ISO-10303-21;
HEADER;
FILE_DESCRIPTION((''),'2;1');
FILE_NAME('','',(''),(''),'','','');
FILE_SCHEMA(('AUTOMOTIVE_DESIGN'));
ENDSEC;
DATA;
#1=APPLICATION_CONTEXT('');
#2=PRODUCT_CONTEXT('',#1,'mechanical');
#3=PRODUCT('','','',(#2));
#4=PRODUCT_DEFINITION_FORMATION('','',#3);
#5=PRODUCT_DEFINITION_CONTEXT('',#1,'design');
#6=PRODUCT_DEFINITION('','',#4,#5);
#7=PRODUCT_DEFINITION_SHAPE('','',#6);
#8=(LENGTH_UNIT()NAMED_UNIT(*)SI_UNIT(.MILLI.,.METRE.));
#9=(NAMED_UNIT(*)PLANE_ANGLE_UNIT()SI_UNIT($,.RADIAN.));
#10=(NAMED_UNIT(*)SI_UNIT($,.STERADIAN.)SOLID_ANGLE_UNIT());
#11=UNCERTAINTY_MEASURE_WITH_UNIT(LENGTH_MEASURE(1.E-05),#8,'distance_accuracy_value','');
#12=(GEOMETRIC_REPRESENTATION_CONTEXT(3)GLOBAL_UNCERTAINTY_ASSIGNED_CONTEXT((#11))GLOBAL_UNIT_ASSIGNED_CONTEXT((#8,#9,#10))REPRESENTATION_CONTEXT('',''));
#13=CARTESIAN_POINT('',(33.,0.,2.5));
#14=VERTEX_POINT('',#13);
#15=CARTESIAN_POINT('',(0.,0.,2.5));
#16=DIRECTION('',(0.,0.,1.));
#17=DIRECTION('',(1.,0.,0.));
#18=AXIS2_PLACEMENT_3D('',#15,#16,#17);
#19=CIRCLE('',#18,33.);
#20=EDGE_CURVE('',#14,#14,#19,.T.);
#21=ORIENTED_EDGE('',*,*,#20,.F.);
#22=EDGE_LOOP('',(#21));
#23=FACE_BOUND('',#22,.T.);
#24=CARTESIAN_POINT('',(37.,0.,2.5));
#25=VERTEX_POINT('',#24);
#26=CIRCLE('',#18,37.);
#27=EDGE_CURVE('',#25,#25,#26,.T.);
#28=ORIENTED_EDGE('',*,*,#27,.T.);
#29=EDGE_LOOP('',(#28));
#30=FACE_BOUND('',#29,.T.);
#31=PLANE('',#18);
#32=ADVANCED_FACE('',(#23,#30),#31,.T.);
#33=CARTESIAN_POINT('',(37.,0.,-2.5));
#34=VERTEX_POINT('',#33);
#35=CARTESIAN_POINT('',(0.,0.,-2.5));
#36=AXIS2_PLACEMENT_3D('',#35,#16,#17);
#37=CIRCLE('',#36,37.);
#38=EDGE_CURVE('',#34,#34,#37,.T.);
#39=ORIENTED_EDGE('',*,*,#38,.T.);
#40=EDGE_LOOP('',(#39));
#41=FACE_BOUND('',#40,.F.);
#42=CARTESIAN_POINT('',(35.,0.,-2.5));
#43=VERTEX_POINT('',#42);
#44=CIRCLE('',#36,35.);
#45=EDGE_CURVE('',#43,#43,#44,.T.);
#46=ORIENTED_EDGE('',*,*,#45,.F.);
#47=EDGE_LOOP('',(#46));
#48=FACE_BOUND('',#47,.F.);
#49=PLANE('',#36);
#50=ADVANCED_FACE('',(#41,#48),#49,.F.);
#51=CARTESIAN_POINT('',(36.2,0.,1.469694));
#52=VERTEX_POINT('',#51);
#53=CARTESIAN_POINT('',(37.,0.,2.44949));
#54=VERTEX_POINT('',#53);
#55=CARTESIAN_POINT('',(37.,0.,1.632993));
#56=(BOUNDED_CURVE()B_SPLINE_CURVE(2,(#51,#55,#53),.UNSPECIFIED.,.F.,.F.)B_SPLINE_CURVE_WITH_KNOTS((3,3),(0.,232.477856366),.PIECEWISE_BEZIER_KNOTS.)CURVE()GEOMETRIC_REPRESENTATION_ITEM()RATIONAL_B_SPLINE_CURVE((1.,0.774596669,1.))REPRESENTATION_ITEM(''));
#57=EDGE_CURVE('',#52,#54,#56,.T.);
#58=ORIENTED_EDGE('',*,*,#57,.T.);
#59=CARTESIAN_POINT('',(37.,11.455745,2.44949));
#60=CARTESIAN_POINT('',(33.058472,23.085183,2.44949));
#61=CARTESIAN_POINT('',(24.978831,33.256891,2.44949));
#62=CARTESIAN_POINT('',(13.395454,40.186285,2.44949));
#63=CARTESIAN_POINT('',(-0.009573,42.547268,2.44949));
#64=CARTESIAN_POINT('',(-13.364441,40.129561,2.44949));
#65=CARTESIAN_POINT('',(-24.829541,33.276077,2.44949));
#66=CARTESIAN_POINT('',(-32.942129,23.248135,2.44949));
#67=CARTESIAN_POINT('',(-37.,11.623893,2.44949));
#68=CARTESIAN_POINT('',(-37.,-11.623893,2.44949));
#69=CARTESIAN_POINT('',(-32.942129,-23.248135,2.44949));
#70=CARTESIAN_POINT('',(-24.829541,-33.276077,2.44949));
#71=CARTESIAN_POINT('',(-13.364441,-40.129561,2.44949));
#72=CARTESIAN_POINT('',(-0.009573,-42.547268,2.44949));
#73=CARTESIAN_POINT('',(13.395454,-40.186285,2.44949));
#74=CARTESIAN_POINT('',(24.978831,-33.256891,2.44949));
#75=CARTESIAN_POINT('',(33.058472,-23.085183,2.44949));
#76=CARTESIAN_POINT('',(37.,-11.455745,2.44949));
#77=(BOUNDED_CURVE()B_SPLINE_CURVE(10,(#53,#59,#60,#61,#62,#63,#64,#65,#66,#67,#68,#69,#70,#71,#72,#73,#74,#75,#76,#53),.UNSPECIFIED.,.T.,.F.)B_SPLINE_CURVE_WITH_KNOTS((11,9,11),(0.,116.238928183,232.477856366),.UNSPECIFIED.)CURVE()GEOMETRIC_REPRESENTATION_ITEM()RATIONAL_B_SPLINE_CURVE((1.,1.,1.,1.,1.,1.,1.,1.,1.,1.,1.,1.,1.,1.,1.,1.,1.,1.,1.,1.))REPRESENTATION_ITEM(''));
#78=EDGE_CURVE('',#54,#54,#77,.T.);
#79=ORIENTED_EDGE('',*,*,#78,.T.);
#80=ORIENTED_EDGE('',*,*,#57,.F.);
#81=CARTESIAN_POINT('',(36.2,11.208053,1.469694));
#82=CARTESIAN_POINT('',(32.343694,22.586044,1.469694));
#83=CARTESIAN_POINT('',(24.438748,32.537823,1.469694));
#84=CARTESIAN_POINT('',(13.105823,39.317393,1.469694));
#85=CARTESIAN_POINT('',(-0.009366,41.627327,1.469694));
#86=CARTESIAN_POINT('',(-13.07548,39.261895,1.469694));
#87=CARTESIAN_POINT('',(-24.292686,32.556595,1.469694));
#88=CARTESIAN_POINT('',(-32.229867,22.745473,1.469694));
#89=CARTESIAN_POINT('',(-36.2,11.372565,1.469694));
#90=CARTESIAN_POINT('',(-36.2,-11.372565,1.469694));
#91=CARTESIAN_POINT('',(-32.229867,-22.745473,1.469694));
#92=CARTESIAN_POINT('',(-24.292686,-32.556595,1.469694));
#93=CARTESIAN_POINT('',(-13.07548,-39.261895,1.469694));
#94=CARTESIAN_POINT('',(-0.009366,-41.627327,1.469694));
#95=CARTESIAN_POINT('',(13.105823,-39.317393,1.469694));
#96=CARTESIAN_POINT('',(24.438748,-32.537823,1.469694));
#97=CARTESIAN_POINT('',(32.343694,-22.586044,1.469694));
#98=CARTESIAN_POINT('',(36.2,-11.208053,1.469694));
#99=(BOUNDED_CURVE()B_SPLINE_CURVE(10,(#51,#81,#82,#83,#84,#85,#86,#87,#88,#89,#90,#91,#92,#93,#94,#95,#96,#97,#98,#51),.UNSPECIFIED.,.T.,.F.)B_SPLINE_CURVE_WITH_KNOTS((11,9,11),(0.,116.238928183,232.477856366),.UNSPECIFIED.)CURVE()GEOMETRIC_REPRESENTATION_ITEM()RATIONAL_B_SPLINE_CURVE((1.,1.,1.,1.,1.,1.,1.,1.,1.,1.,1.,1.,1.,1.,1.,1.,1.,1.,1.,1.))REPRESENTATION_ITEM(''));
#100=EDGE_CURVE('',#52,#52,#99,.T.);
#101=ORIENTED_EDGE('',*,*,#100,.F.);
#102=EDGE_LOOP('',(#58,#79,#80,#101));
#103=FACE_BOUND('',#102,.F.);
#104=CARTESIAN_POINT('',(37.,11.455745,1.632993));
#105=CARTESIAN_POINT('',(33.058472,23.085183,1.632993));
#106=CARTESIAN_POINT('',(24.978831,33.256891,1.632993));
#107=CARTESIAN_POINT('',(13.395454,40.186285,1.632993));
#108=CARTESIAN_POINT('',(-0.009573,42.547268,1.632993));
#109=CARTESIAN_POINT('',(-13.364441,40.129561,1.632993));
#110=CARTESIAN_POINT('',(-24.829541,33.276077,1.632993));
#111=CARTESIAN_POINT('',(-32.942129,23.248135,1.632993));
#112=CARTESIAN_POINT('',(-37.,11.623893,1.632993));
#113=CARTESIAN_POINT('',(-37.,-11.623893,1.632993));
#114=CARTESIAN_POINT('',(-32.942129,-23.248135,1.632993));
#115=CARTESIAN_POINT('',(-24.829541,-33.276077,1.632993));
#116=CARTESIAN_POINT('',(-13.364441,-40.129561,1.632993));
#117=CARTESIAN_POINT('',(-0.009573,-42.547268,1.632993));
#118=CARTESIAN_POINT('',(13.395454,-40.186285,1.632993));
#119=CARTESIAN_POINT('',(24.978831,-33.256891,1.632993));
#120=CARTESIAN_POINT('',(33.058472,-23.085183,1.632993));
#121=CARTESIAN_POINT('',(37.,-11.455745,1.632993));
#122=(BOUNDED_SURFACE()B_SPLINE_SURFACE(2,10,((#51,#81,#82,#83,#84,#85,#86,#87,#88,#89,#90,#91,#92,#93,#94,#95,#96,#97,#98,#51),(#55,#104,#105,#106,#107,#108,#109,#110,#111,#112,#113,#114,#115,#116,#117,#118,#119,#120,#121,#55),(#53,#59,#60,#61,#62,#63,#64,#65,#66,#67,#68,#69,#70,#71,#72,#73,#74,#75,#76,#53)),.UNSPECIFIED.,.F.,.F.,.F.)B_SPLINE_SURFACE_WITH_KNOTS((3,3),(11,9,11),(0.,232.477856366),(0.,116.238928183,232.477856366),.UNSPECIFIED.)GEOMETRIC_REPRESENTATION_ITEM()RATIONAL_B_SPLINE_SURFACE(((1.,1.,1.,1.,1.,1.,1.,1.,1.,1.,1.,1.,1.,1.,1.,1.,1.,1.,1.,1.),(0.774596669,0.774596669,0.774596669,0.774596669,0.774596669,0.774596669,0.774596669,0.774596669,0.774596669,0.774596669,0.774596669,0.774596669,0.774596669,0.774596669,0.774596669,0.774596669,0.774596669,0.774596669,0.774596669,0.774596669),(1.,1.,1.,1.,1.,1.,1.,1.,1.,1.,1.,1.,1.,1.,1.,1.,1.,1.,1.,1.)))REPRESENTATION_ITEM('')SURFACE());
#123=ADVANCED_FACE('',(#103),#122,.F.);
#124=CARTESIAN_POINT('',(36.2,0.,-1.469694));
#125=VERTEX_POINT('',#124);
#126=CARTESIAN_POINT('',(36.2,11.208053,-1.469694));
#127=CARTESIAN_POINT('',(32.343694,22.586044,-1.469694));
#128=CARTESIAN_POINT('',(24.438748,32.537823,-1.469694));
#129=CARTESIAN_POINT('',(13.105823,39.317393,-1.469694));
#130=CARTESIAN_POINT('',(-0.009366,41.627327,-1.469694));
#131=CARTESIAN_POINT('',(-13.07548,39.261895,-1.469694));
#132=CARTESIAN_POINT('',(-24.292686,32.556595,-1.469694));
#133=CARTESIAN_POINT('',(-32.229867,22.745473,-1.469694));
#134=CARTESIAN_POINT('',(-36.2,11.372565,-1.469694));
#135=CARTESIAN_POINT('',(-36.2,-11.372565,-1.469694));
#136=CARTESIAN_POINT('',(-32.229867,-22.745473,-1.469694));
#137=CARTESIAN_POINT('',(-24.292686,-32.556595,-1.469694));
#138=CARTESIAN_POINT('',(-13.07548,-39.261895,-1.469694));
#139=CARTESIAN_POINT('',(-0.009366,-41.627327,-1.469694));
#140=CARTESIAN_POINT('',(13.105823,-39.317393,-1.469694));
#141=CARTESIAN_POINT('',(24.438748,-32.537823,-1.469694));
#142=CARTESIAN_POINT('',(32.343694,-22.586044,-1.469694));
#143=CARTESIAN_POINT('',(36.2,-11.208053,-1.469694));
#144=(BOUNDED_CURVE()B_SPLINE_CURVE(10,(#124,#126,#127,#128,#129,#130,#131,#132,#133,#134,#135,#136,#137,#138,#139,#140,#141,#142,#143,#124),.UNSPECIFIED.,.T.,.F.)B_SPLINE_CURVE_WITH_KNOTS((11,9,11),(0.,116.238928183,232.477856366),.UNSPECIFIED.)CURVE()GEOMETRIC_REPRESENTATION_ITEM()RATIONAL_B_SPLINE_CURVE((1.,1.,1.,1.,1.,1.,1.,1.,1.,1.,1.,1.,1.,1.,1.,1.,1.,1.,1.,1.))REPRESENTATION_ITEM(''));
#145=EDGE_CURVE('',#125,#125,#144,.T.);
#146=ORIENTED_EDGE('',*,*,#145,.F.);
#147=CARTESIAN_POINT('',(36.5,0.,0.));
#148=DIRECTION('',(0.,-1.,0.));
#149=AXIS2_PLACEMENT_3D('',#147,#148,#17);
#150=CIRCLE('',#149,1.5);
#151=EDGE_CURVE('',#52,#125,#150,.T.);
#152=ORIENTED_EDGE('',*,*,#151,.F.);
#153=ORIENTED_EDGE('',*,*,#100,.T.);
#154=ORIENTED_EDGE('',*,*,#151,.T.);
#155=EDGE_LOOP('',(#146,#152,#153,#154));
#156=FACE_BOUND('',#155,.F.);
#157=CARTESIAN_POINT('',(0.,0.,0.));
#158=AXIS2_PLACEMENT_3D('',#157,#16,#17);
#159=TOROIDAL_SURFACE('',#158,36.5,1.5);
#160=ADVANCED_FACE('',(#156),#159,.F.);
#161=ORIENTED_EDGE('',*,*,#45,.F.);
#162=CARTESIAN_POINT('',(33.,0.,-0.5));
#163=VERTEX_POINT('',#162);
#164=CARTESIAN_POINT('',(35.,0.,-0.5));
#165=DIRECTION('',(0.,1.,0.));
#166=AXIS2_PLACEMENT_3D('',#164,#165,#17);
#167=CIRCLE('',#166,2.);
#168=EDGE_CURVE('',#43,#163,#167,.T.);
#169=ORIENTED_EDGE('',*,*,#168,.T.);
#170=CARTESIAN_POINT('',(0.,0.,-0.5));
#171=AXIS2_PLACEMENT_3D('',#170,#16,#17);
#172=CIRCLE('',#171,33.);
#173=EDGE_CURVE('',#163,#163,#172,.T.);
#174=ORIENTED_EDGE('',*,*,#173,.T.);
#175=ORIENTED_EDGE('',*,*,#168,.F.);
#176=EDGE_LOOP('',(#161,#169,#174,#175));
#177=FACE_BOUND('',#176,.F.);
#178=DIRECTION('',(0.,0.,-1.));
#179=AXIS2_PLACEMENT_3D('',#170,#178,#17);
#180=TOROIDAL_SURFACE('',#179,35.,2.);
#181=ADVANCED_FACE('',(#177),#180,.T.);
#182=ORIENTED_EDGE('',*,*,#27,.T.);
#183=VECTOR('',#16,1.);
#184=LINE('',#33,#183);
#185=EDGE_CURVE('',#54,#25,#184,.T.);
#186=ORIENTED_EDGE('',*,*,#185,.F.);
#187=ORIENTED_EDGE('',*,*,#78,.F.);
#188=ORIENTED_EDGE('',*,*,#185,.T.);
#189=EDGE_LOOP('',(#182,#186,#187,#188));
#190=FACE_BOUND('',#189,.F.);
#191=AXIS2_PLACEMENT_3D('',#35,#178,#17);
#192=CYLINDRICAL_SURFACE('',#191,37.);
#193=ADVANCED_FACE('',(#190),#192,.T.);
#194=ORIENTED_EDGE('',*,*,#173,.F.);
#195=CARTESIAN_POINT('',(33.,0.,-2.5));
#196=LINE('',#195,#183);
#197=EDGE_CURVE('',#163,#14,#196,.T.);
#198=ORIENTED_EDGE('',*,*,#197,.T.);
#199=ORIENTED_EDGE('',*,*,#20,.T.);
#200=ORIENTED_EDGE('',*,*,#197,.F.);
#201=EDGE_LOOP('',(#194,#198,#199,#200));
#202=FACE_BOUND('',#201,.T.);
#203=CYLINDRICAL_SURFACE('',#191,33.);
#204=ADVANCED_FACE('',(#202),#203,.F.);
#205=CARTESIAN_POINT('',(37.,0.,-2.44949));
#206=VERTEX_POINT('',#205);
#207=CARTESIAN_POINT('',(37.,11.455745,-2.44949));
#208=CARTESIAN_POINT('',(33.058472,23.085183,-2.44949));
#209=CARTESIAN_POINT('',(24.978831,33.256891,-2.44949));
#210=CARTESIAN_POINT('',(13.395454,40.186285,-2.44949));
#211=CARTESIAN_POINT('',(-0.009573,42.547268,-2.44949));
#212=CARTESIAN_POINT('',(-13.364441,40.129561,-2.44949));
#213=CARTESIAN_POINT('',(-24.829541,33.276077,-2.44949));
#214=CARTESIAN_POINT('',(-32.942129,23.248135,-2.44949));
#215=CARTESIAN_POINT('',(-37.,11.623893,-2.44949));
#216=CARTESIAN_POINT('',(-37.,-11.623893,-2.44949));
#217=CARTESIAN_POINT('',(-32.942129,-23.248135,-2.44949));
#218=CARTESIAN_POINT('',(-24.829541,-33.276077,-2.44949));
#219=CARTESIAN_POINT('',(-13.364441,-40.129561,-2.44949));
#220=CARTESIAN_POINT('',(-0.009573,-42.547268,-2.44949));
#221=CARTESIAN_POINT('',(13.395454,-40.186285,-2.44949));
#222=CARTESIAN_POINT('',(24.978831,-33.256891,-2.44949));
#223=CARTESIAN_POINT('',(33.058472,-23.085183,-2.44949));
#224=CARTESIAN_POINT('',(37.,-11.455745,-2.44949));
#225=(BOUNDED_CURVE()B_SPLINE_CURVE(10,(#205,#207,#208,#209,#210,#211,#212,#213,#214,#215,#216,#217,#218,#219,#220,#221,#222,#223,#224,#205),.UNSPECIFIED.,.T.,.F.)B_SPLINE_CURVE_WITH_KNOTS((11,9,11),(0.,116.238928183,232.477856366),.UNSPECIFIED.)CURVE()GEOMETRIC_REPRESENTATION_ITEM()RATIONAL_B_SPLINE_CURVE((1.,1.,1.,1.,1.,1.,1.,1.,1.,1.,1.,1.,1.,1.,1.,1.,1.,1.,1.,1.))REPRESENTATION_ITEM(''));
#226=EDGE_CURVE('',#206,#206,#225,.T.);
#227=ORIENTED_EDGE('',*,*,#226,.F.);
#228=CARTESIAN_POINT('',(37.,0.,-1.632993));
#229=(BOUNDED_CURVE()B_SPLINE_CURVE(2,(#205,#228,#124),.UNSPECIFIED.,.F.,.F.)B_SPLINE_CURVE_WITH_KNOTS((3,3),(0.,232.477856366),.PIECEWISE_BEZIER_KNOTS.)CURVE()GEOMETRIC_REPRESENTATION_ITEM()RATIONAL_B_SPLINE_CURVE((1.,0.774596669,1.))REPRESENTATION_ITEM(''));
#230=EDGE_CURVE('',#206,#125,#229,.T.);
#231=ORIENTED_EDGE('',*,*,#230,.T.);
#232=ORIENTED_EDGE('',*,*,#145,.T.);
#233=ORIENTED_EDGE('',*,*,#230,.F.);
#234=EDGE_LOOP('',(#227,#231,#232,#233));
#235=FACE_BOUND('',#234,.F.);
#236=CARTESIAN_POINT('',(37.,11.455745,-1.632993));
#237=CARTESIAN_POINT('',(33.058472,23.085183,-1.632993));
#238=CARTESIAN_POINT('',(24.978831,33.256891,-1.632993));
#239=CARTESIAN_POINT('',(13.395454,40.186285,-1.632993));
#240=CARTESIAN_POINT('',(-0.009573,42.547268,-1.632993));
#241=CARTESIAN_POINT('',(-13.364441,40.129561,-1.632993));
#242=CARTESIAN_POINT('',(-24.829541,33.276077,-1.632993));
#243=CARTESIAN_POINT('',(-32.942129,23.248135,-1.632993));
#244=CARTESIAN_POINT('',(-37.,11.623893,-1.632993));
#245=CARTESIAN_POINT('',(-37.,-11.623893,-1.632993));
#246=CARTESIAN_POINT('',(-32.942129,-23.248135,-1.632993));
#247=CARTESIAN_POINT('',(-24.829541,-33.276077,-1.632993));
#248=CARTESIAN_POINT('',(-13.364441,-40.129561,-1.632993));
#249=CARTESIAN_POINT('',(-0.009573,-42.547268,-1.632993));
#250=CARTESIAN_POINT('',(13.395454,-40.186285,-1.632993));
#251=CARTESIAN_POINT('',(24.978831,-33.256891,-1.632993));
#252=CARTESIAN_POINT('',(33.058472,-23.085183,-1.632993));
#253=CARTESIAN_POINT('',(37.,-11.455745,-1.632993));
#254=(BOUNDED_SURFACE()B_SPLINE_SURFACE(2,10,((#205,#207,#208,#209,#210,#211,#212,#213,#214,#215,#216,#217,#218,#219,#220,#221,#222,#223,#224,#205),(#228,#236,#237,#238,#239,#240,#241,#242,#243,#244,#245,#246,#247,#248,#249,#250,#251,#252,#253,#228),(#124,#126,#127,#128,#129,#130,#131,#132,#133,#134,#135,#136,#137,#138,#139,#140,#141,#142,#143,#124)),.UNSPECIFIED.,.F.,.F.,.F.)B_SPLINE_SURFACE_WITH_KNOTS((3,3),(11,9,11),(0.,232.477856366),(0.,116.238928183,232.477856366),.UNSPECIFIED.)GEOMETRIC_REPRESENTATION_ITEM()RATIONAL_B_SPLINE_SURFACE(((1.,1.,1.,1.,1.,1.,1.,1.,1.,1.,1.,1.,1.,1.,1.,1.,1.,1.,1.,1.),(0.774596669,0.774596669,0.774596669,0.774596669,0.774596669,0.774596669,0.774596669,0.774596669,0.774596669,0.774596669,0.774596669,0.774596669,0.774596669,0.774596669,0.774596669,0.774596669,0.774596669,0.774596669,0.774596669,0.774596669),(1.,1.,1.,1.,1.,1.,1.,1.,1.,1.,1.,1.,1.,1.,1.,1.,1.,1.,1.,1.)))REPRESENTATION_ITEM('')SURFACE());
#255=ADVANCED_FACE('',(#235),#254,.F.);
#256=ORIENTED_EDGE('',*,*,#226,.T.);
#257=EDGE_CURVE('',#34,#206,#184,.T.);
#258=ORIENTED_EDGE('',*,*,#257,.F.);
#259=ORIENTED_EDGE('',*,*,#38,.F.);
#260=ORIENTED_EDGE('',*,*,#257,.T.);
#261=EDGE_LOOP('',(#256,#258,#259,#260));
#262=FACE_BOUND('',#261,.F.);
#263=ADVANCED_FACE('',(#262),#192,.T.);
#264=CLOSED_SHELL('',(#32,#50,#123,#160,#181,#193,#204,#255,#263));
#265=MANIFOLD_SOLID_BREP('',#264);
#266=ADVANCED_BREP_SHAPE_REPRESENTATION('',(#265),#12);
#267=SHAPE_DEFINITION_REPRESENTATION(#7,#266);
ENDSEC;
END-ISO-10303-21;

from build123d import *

# Parameters (mm, degrees)
TORUS001_R        = 1.5
CYLINDER001_R     = 33
CYLINDER001_DEPTH = 5
CYLINDER_R        = 37
CYLINDER_DEPTH    = 5
FILLET_R          = 1
FILLET001_R       = 2


with BuildPart() as oringtorus001:
    # Torus001 → Torus001 (revolve)
    with BuildSketch(Plane.XZ):
        with Locations((36.5, 0)):
            Circle(TORUS001_R)
    revolve(axis=Axis((0, 0, 0), (0, 0, 1)))


with BuildPart() as cilindro001:
    # Cylinder001 → Cylinder001 (new body)
    with BuildSketch(Plane.XY.offset(-2.5)):
        Circle(CYLINDER001_R)
    extrude(amount=CYLINDER001_DEPTH)


with BuildPart() as fillet001:
    # Cylinder → Cylinder (new body)
    with BuildSketch(Plane.XY.offset(-2.5)):
        Circle(CYLINDER_R)
    extrude(amount=CYLINDER_DEPTH)

    # Cut: cut Cilindro001
    add(cilindro001.part, mode=Mode.SUBTRACT)

    # Cut001: cut OringTorus001
    add(oringtorus001.part, mode=Mode.SUBTRACT)

    # Fillet
    fillet_edges = [fillet001.edges().sort_by_distance(p)[0] for p in [
        (-37, 0, 1.414214),
        (-37, 0, -1.414214),
    ]]
    fillet(fillet_edges, radius=FILLET_R)

    # Fillet001
    fillet001_edges = [fillet001.edges().sort_by_distance(p)[0] for p in [
        (-33, 0, -2.5),
    ]]
    fillet(fillet001_edges, radius=FILLET001_R)


solid = fillet001.part
